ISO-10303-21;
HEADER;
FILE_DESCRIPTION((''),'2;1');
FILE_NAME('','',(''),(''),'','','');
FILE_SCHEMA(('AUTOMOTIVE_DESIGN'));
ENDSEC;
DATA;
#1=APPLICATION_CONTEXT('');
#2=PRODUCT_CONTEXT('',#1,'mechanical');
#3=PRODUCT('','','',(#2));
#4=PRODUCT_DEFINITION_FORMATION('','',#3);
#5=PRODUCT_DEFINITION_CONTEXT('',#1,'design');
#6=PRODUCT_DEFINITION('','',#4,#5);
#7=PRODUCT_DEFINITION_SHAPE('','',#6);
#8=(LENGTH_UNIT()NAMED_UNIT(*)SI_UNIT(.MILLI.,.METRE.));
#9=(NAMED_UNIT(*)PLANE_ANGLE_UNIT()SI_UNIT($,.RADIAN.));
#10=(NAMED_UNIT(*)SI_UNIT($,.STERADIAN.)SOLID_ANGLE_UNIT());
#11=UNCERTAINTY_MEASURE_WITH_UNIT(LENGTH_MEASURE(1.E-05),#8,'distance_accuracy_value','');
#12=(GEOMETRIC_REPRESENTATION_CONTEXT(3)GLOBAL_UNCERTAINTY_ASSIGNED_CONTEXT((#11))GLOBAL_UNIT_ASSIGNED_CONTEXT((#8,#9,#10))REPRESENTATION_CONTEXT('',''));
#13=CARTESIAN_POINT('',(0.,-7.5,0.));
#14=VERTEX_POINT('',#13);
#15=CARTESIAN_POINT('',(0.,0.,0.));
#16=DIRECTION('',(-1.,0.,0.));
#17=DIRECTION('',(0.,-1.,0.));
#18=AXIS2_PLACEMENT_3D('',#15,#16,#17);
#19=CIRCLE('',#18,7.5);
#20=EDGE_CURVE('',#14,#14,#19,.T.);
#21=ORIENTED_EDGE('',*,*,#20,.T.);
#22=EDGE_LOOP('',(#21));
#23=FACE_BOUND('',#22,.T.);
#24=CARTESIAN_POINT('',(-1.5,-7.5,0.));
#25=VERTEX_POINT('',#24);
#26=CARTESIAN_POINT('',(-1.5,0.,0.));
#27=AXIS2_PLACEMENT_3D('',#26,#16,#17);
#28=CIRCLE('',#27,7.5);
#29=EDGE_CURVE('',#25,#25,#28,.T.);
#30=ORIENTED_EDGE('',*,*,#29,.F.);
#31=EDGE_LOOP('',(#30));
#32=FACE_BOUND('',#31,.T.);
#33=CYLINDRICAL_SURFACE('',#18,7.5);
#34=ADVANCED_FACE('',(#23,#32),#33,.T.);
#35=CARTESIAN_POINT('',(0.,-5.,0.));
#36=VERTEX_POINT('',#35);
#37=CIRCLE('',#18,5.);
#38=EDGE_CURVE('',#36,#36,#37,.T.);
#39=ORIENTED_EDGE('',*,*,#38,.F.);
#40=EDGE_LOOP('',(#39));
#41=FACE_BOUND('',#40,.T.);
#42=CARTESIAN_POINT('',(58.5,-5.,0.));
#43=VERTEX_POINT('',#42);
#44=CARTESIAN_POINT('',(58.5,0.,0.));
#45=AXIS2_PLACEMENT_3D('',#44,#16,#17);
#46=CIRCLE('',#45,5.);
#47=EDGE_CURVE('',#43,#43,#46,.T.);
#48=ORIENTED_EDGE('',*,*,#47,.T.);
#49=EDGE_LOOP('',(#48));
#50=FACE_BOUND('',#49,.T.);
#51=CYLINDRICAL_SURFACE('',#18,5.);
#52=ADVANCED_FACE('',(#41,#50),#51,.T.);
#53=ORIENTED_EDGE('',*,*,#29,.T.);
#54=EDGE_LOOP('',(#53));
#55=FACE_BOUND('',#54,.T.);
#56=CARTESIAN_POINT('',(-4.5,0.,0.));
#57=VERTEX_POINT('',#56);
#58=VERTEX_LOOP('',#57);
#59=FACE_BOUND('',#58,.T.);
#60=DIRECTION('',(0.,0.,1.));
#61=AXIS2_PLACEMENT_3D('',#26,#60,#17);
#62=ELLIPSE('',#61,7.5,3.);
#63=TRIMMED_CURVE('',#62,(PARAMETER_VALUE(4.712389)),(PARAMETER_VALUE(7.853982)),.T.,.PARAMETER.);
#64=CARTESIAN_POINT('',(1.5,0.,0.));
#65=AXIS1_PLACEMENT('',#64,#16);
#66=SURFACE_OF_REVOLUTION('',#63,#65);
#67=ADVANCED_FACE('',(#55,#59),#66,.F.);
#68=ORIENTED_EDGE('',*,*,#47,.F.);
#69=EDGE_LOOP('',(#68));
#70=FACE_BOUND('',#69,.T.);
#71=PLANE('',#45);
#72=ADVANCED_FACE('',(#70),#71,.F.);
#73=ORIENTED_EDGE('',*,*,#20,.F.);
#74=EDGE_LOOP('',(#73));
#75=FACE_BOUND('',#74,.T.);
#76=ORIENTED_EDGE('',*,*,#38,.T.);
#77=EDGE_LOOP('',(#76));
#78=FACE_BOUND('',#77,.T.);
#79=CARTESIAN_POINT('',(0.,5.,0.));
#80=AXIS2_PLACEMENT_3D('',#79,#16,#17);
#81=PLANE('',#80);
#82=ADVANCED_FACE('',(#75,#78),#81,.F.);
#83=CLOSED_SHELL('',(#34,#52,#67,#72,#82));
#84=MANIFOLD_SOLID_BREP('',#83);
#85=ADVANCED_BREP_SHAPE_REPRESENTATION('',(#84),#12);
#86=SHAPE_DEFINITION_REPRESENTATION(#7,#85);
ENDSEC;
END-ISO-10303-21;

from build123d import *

# Parameters (mm, degrees)
DOME1_FACE_RADIUS = 7.5
DOME1_HEIGHT      = 3


with BuildPart() as part:
    # Sketch1 → Revolve1 (revolve)
    with BuildSketch(Plane.XY):
        Polygon((58.5, 0), (58.5, 5), (0, 5), (0, 7.5), (-1.5, 7.5), (-1.5, 0), align=None)
    revolve(axis=Axis((0, 0, 0), (1, 0, 0)))

    # Dome1: an elliptical dome of height H over a round flat face of radius A is half a spheroid: the quarter ellipse of half axes A and H revolved about the face's axis
    with BuildSketch(Plane((-1.5, 0, 0), x_dir=(0, 0, -1), z_dir=(0, 1, 0)), mode=Mode.PRIVATE) as dome1_quarter:
        Ellipse(DOME1_FACE_RADIUS, DOME1_HEIGHT)
        Rectangle(DOME1_FACE_RADIUS, DOME1_HEIGHT, align=(Align.MIN, Align.MIN), mode=Mode.INTERSECT)
    revolve(dome1_quarter.sketch, axis=Axis((-1.5, 0, 0), (-1, 0, 0)))


solid = part.part
